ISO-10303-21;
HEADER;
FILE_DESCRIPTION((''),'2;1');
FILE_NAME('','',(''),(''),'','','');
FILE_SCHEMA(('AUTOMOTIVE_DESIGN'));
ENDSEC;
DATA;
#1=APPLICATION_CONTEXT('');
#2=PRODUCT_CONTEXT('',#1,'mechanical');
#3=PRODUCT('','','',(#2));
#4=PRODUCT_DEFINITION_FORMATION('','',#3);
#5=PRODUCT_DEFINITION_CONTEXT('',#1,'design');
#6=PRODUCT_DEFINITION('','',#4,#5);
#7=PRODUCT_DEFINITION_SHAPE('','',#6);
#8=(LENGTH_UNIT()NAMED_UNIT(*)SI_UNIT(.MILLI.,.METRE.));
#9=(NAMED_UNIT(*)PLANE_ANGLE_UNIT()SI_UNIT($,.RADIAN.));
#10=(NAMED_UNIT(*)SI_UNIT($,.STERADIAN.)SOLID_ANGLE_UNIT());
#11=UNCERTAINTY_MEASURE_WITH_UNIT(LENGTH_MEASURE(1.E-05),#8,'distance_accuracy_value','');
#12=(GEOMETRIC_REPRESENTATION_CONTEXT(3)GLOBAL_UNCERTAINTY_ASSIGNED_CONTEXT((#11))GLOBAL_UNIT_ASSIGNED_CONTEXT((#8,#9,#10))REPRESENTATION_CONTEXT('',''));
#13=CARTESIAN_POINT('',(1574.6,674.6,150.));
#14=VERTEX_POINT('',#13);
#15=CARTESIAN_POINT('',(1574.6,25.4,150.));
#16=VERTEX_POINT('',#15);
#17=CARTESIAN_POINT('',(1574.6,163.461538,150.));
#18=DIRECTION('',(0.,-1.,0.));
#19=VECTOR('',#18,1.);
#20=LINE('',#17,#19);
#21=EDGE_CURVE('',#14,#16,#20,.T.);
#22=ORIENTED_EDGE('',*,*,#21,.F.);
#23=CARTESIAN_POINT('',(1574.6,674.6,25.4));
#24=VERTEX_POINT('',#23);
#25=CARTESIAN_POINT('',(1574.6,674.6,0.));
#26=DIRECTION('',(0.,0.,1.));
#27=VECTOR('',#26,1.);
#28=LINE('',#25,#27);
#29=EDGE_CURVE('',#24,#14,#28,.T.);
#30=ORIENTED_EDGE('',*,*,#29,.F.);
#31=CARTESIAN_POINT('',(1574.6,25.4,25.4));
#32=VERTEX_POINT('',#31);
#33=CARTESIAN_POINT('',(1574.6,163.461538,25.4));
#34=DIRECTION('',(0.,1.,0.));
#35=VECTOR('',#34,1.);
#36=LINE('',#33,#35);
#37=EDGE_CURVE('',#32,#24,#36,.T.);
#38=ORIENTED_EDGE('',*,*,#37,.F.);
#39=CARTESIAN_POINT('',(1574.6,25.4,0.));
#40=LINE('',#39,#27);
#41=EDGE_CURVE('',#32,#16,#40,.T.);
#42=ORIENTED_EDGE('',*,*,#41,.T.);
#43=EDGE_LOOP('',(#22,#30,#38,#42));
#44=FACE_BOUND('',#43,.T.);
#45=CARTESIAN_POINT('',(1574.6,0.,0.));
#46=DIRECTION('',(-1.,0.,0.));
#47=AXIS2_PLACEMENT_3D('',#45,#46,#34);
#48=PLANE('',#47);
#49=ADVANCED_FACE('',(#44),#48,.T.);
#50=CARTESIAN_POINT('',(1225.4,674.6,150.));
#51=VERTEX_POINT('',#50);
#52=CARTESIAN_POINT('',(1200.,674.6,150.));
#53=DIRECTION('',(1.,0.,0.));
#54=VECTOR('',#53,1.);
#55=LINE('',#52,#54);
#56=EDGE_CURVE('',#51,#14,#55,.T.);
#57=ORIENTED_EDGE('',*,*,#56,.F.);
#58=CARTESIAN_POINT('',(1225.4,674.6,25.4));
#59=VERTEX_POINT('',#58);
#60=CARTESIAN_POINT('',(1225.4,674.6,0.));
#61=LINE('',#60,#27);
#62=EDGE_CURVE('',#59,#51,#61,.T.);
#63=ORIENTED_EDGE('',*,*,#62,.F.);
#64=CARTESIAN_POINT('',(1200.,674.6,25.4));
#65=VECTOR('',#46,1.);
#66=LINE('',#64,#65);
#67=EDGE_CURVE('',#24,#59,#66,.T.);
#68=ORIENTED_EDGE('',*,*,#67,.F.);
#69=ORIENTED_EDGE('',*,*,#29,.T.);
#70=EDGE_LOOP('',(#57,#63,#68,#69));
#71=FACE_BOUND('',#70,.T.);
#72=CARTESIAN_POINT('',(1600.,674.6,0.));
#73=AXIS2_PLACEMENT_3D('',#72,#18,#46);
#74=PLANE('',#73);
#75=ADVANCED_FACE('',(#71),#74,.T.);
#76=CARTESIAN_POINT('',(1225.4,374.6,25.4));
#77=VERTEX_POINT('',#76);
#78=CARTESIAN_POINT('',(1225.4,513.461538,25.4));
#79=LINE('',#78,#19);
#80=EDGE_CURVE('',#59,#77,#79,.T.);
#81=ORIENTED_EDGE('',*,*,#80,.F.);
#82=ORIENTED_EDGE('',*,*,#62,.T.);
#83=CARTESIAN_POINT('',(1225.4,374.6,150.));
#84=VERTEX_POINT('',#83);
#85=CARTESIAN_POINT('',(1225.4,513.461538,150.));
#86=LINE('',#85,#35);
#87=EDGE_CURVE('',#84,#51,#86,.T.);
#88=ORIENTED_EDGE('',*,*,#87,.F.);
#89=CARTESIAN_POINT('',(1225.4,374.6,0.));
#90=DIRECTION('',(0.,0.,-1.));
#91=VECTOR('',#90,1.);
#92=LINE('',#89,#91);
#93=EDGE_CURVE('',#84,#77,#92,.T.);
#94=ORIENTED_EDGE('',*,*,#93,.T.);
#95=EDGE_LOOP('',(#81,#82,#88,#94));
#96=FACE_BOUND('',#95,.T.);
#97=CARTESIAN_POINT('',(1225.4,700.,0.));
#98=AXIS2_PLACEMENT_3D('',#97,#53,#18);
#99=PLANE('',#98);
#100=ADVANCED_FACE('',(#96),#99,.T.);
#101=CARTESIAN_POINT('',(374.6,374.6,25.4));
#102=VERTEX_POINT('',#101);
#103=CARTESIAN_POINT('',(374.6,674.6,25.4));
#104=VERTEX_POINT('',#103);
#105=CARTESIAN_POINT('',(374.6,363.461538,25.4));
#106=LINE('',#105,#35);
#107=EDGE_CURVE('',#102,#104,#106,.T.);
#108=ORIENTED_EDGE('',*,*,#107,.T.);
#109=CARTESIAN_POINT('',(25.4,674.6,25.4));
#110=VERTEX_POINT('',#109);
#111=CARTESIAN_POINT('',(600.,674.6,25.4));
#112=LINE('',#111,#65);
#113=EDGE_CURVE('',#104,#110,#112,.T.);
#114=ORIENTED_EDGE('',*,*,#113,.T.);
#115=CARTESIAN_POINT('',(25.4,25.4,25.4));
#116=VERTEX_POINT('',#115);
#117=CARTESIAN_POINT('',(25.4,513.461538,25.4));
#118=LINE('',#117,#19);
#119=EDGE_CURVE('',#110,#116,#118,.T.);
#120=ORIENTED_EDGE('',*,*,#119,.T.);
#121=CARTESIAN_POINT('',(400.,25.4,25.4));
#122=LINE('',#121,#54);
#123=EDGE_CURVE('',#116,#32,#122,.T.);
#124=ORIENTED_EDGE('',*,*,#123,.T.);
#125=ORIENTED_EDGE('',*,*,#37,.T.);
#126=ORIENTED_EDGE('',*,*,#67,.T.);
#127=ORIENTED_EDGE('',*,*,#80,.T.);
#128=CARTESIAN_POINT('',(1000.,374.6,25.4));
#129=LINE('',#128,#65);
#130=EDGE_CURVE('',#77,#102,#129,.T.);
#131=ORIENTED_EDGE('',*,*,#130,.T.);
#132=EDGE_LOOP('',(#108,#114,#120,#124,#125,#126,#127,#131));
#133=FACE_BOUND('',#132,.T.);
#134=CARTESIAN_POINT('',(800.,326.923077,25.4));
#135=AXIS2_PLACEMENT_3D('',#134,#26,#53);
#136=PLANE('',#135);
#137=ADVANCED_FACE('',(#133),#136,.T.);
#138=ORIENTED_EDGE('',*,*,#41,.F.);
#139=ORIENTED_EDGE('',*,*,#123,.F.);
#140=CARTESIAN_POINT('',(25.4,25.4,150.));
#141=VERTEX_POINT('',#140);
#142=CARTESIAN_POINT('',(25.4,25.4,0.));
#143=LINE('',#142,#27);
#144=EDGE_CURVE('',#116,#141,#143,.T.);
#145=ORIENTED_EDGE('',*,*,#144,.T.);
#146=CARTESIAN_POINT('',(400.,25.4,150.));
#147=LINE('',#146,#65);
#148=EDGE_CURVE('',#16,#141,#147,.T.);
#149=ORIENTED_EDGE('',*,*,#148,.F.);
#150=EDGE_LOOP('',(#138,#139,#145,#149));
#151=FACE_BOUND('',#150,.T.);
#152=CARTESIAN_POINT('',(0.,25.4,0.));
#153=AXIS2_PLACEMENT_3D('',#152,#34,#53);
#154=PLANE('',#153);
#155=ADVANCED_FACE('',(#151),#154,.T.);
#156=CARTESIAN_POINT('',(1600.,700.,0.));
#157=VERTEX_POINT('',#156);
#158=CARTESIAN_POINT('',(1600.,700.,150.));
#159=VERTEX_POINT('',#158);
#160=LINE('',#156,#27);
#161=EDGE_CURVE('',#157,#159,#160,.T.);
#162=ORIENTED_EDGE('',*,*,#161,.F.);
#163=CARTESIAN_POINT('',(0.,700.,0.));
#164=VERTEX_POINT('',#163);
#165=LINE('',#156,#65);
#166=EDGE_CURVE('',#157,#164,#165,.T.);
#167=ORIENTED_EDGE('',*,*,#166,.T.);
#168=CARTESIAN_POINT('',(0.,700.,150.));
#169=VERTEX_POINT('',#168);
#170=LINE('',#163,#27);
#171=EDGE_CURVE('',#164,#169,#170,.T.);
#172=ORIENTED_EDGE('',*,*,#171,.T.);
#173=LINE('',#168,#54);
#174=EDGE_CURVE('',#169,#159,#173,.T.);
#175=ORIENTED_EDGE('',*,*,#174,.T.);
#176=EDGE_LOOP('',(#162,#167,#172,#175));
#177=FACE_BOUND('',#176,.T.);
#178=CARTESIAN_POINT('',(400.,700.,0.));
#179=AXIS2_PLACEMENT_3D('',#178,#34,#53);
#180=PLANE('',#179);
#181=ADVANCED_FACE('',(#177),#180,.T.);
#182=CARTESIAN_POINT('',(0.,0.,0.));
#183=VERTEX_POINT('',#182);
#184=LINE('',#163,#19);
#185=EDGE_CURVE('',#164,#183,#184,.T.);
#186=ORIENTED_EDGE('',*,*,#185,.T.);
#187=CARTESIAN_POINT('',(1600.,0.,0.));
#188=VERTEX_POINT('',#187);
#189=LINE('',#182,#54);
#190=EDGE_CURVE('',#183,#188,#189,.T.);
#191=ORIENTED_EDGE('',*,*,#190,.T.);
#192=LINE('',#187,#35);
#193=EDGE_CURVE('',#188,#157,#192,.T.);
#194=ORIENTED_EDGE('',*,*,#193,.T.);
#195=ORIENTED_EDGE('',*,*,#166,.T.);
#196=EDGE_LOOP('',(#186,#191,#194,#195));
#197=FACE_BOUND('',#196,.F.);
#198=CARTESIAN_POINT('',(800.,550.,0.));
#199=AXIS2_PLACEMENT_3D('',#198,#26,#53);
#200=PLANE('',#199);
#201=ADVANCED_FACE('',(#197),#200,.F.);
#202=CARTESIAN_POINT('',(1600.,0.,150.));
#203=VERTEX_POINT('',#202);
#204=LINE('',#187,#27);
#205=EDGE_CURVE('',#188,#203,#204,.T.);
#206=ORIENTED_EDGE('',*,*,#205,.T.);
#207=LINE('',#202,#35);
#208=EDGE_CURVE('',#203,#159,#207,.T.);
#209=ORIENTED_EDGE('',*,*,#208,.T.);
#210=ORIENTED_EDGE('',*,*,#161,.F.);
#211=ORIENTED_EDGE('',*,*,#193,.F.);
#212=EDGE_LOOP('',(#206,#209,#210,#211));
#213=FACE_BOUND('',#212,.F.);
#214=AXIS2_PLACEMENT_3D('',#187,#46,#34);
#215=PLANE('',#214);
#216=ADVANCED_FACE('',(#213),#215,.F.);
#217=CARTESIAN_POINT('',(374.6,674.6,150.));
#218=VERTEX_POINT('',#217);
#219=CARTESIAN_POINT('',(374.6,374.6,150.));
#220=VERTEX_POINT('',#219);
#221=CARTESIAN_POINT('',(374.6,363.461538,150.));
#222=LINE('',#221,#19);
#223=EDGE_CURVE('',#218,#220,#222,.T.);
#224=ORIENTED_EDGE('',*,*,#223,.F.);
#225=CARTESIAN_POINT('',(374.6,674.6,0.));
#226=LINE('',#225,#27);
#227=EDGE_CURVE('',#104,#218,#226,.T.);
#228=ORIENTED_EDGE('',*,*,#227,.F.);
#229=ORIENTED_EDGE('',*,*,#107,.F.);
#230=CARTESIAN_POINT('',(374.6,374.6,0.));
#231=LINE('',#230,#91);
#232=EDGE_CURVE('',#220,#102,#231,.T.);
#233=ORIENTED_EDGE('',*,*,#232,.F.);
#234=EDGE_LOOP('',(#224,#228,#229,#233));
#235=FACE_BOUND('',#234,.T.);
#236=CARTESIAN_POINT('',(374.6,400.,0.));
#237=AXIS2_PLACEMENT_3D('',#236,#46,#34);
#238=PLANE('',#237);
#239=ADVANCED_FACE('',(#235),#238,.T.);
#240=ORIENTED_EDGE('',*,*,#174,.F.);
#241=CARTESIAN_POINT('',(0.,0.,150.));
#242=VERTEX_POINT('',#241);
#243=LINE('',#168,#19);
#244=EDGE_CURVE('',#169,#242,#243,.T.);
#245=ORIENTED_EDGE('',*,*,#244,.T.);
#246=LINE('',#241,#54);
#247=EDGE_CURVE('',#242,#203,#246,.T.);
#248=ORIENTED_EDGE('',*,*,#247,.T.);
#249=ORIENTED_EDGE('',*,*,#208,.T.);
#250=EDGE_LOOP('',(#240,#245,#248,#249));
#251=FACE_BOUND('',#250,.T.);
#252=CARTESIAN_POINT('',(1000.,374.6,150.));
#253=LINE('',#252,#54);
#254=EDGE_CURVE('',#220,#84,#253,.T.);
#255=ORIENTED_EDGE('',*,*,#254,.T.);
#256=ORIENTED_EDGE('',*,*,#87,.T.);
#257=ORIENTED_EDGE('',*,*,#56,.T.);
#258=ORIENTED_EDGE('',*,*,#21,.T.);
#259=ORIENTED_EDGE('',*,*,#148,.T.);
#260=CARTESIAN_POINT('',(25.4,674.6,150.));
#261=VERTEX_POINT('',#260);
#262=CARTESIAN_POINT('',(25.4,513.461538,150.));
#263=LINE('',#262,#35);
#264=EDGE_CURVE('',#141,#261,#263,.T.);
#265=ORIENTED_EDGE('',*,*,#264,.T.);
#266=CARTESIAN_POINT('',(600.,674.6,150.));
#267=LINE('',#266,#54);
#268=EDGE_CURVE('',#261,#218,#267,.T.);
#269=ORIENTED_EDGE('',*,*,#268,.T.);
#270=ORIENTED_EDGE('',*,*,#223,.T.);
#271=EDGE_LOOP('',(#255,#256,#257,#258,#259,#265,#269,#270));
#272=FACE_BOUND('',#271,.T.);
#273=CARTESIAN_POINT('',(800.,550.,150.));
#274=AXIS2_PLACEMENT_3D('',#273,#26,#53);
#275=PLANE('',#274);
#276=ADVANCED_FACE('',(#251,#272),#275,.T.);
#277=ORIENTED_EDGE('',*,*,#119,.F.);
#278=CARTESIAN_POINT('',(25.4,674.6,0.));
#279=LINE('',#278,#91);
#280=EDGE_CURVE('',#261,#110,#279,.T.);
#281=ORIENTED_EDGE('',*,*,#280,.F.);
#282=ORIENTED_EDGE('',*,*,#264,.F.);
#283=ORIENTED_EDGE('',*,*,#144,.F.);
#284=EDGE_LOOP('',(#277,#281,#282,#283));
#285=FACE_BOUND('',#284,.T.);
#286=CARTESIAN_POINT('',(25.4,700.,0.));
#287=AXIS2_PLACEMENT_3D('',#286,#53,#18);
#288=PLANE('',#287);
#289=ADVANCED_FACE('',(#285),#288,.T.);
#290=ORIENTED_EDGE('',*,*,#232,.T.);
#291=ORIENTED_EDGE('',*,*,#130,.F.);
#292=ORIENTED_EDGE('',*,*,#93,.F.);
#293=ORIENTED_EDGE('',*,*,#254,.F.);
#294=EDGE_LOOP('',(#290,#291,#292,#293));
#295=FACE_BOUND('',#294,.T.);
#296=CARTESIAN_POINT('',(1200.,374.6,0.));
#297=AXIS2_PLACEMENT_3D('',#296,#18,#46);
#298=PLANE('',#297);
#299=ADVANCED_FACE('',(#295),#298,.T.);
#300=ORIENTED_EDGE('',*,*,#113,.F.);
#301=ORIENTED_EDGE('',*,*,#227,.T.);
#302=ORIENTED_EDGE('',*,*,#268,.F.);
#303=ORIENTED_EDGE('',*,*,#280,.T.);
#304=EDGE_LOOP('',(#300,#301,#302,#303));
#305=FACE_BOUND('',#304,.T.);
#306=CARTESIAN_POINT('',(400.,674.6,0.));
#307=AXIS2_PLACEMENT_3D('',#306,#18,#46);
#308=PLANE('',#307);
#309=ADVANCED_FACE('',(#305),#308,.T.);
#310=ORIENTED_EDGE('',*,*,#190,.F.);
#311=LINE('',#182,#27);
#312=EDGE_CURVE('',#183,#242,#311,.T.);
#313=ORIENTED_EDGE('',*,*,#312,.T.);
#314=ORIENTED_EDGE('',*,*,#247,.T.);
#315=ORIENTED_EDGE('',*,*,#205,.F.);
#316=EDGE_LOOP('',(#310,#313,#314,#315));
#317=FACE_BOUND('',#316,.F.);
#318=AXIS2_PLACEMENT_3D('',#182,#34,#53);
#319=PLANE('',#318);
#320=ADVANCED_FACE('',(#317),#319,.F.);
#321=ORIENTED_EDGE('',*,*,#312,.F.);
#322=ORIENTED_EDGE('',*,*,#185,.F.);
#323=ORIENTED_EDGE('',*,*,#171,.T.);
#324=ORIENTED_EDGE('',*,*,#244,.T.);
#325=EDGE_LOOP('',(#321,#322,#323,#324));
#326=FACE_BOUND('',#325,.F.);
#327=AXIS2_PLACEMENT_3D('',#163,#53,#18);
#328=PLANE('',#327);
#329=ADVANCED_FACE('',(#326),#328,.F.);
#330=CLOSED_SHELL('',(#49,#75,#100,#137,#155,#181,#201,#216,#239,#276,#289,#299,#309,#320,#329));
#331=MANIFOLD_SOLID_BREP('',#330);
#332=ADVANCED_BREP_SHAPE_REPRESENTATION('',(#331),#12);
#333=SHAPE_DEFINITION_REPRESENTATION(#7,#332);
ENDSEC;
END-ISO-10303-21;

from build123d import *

# Parameters (mm, degrees)
F1_DEPTH = 150
F3_T     = -25.4
F2_W     = 800
F2_H     = 300
F4_DEPTH = 150


with BuildPart() as f1:
    # F0 (on Top) → F1 (new body)
    with BuildSketch(Plane.XY):
        Polygon((0, 700), (0, 0), (1600, 0), (1600, 700), (1200, 700), (1200, 400), (400, 400), (400, 700), align=None)
    extrude(amount=F1_DEPTH)

    # F3
    f3_openings = [f1.faces().sort_by_distance(p)[0] for p in [
        (800, 295.454545, 150),
    ]]
    offset(amount=F3_T, openings=f3_openings, kind=Kind.INTERSECTION)

    # F2 (on Top) → F4 (join)
    with BuildSketch(Plane.XY):
        with Locations((800, 550)):
            Rectangle(F2_W, F2_H)
    extrude(amount=F4_DEPTH)


solid = f1.part
